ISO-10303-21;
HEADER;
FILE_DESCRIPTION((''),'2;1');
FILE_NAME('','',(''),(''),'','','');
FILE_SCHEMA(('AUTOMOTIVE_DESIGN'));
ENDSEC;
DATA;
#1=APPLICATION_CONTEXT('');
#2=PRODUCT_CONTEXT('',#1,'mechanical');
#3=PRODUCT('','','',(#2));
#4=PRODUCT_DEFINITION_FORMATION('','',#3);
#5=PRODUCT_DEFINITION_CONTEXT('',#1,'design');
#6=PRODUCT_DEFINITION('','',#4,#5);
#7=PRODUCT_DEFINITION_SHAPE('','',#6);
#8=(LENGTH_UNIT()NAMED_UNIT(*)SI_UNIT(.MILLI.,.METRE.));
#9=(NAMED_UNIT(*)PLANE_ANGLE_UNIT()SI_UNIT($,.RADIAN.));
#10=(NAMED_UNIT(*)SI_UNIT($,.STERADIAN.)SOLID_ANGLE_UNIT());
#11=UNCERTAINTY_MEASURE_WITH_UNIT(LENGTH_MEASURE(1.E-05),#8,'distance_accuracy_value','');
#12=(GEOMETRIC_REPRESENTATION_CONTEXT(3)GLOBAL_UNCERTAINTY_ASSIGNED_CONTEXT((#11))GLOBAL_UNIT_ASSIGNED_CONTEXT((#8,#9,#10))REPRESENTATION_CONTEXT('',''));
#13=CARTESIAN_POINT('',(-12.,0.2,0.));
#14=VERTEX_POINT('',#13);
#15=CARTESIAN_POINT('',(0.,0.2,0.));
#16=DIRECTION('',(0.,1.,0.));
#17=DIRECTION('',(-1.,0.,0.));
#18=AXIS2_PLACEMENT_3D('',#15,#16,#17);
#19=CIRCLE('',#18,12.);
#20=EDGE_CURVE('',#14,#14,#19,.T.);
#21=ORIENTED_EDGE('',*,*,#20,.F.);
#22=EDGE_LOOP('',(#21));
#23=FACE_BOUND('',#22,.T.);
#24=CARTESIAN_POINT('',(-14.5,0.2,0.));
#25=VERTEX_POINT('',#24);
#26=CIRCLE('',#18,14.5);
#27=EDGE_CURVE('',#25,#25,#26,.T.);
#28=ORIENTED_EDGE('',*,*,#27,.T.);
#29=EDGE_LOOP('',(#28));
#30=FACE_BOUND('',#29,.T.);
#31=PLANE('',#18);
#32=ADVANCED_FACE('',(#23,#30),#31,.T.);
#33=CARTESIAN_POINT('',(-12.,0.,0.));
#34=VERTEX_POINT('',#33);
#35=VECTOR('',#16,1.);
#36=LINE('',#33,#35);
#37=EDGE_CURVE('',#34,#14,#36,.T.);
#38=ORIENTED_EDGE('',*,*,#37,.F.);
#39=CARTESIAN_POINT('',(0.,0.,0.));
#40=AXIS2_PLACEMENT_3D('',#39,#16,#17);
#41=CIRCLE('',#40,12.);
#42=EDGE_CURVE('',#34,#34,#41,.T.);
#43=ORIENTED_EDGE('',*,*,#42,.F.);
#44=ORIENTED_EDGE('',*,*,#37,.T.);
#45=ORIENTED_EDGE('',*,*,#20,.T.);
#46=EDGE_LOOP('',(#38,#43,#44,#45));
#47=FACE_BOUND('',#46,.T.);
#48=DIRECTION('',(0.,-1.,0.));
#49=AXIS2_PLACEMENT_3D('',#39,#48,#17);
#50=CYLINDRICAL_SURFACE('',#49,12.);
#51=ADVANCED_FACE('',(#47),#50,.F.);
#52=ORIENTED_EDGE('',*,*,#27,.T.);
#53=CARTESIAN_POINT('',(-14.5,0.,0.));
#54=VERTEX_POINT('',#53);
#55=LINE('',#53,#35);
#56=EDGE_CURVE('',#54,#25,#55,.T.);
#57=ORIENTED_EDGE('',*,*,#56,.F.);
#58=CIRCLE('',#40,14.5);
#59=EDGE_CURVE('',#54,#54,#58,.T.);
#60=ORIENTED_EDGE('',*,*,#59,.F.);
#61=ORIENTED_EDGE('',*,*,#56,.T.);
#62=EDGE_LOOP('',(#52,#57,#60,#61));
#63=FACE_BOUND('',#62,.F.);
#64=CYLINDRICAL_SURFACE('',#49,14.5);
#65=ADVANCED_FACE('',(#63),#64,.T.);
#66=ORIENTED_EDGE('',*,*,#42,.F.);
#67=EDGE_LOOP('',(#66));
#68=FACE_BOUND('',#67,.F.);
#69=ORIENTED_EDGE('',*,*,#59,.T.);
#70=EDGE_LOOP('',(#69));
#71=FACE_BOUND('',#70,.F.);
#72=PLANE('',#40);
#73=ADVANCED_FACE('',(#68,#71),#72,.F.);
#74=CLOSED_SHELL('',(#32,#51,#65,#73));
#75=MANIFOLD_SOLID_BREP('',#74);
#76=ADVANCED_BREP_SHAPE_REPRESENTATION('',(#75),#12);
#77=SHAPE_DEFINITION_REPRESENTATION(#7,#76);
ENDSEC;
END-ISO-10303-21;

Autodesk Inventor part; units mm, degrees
ref_plane "YZ Plane" through (0, 0, 0) normal (1, 0, 0) x (0, 1, 0)
ref_plane "XZ Plane" through (0, 0, 0) normal (0, 1, 0) x (-1, 0, 0)
ref_plane "XY Plane" through (0, 0, 0) normal (0, 0, 1) x (1, 0, 0)
sketch "Sketch1" plane through (0, 0, 0) normal (0, 1, 0) x (-1, 0, 0)
  circle A0 centre (0, 0) radius 14.5
  circle A1 centre (0, 0) radius 12
  dimension "d0" = 29
  dimension "d1" = 24
extrude "Extrusion1" add sketch "Sketch1" along normal blind 0.2
properties part number "Component 35(Cylinder Top Gasket)"
